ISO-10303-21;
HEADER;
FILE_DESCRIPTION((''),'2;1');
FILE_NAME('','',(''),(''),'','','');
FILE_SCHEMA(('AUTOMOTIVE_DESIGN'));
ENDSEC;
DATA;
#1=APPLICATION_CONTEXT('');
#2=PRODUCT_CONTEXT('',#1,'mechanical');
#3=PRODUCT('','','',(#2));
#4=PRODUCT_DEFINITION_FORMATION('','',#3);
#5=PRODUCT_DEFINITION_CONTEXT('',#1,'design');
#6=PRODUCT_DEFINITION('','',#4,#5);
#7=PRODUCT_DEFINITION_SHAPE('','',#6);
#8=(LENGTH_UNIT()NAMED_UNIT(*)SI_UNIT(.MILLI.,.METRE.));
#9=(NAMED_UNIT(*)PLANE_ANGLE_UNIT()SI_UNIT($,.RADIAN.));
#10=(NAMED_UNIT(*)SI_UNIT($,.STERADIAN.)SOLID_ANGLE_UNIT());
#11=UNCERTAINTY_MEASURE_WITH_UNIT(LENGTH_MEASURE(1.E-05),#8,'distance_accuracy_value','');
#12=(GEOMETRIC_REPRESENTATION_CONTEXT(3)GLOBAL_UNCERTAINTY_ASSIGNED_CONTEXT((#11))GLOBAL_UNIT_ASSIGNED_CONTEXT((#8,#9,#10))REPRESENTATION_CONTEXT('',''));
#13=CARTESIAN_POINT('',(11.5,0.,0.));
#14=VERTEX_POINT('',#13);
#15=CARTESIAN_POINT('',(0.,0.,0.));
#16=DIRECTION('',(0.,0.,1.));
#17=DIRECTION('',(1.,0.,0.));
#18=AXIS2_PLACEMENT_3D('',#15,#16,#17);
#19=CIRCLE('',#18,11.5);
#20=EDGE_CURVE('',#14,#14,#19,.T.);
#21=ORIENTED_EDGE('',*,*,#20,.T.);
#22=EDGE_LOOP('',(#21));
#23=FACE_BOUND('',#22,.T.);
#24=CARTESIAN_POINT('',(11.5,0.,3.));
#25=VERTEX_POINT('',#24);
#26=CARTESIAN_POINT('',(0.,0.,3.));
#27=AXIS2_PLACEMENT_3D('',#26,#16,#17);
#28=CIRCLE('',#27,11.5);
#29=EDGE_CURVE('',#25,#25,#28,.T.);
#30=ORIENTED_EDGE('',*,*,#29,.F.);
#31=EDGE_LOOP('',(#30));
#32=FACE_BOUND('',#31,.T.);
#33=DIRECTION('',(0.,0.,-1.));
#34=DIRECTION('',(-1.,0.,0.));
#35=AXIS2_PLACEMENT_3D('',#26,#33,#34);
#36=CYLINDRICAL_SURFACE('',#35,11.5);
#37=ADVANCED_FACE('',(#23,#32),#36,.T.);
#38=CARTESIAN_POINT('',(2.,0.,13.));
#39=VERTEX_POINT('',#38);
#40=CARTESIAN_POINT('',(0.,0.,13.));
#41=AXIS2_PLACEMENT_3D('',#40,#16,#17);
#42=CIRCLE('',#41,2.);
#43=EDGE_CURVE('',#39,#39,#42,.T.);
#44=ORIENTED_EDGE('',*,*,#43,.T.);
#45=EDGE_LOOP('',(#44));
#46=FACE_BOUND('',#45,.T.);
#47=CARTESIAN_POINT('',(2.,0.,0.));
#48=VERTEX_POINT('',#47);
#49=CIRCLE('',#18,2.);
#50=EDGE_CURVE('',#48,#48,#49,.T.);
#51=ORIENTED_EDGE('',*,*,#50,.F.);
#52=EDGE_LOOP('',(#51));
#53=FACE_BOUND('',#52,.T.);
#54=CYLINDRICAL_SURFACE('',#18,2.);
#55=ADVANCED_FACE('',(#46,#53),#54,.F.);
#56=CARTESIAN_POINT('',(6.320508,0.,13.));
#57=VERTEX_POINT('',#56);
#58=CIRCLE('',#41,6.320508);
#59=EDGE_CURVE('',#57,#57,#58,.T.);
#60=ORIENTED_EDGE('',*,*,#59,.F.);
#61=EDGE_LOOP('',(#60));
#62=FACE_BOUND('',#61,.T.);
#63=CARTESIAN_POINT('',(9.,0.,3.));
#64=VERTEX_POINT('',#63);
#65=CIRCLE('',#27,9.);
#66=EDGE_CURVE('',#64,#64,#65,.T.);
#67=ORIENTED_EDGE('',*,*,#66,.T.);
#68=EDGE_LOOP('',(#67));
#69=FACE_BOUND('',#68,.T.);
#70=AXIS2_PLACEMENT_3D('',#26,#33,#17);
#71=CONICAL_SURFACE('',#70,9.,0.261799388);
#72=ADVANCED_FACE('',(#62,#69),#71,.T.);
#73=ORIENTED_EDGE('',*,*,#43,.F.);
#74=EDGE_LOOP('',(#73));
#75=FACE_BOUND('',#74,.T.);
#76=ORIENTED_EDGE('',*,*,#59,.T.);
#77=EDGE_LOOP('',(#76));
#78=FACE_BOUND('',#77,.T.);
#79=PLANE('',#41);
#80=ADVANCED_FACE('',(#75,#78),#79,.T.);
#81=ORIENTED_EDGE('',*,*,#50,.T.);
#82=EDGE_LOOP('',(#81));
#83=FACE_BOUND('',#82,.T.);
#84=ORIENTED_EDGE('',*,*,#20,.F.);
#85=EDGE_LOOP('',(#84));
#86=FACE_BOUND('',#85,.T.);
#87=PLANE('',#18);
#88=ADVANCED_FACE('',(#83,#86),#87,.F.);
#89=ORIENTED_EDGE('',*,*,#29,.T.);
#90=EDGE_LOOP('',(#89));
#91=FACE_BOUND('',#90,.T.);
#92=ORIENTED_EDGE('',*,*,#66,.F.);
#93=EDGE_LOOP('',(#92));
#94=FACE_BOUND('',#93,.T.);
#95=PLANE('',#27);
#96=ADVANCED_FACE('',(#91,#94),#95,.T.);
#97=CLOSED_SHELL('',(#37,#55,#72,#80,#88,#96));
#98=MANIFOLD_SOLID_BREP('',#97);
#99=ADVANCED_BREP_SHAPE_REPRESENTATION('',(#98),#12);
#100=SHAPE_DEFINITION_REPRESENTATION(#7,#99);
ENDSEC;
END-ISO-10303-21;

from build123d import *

# Parameters (mm, degrees)
SKETCH1_R           = 11.5
BOSS_EXTRUDE1_DEPTH = 3
SKETCH2_R           = 9
BOSS_EXTRUDE2_DEPTH = 10
BOSS_EXTRUDE2_TAPER = 15
SKETCH3_R           = 2
CUT_EXTRUDE1_DEPTH  = 21.820662814


with BuildPart() as part:
    # Sketch1 → Boss-Extrude1 (new body)
    with BuildSketch(Plane.XY):
        Circle(SKETCH1_R)
    extrude(amount=BOSS_EXTRUDE1_DEPTH)

    # Sketch2 → Boss-Extrude2 (add)
    with BuildSketch(Plane.XY.offset(3)):
        Circle(SKETCH2_R)
    extrude(amount=BOSS_EXTRUDE2_DEPTH, taper=BOSS_EXTRUDE2_TAPER)

    # Sketch3 → Cut-Extrude1 (cut, through all)
    with BuildSketch(Plane.XY.offset(13)):
        Circle(SKETCH3_R)
    extrude(amount=-CUT_EXTRUDE1_DEPTH, mode=Mode.SUBTRACT)


solid = part.part
